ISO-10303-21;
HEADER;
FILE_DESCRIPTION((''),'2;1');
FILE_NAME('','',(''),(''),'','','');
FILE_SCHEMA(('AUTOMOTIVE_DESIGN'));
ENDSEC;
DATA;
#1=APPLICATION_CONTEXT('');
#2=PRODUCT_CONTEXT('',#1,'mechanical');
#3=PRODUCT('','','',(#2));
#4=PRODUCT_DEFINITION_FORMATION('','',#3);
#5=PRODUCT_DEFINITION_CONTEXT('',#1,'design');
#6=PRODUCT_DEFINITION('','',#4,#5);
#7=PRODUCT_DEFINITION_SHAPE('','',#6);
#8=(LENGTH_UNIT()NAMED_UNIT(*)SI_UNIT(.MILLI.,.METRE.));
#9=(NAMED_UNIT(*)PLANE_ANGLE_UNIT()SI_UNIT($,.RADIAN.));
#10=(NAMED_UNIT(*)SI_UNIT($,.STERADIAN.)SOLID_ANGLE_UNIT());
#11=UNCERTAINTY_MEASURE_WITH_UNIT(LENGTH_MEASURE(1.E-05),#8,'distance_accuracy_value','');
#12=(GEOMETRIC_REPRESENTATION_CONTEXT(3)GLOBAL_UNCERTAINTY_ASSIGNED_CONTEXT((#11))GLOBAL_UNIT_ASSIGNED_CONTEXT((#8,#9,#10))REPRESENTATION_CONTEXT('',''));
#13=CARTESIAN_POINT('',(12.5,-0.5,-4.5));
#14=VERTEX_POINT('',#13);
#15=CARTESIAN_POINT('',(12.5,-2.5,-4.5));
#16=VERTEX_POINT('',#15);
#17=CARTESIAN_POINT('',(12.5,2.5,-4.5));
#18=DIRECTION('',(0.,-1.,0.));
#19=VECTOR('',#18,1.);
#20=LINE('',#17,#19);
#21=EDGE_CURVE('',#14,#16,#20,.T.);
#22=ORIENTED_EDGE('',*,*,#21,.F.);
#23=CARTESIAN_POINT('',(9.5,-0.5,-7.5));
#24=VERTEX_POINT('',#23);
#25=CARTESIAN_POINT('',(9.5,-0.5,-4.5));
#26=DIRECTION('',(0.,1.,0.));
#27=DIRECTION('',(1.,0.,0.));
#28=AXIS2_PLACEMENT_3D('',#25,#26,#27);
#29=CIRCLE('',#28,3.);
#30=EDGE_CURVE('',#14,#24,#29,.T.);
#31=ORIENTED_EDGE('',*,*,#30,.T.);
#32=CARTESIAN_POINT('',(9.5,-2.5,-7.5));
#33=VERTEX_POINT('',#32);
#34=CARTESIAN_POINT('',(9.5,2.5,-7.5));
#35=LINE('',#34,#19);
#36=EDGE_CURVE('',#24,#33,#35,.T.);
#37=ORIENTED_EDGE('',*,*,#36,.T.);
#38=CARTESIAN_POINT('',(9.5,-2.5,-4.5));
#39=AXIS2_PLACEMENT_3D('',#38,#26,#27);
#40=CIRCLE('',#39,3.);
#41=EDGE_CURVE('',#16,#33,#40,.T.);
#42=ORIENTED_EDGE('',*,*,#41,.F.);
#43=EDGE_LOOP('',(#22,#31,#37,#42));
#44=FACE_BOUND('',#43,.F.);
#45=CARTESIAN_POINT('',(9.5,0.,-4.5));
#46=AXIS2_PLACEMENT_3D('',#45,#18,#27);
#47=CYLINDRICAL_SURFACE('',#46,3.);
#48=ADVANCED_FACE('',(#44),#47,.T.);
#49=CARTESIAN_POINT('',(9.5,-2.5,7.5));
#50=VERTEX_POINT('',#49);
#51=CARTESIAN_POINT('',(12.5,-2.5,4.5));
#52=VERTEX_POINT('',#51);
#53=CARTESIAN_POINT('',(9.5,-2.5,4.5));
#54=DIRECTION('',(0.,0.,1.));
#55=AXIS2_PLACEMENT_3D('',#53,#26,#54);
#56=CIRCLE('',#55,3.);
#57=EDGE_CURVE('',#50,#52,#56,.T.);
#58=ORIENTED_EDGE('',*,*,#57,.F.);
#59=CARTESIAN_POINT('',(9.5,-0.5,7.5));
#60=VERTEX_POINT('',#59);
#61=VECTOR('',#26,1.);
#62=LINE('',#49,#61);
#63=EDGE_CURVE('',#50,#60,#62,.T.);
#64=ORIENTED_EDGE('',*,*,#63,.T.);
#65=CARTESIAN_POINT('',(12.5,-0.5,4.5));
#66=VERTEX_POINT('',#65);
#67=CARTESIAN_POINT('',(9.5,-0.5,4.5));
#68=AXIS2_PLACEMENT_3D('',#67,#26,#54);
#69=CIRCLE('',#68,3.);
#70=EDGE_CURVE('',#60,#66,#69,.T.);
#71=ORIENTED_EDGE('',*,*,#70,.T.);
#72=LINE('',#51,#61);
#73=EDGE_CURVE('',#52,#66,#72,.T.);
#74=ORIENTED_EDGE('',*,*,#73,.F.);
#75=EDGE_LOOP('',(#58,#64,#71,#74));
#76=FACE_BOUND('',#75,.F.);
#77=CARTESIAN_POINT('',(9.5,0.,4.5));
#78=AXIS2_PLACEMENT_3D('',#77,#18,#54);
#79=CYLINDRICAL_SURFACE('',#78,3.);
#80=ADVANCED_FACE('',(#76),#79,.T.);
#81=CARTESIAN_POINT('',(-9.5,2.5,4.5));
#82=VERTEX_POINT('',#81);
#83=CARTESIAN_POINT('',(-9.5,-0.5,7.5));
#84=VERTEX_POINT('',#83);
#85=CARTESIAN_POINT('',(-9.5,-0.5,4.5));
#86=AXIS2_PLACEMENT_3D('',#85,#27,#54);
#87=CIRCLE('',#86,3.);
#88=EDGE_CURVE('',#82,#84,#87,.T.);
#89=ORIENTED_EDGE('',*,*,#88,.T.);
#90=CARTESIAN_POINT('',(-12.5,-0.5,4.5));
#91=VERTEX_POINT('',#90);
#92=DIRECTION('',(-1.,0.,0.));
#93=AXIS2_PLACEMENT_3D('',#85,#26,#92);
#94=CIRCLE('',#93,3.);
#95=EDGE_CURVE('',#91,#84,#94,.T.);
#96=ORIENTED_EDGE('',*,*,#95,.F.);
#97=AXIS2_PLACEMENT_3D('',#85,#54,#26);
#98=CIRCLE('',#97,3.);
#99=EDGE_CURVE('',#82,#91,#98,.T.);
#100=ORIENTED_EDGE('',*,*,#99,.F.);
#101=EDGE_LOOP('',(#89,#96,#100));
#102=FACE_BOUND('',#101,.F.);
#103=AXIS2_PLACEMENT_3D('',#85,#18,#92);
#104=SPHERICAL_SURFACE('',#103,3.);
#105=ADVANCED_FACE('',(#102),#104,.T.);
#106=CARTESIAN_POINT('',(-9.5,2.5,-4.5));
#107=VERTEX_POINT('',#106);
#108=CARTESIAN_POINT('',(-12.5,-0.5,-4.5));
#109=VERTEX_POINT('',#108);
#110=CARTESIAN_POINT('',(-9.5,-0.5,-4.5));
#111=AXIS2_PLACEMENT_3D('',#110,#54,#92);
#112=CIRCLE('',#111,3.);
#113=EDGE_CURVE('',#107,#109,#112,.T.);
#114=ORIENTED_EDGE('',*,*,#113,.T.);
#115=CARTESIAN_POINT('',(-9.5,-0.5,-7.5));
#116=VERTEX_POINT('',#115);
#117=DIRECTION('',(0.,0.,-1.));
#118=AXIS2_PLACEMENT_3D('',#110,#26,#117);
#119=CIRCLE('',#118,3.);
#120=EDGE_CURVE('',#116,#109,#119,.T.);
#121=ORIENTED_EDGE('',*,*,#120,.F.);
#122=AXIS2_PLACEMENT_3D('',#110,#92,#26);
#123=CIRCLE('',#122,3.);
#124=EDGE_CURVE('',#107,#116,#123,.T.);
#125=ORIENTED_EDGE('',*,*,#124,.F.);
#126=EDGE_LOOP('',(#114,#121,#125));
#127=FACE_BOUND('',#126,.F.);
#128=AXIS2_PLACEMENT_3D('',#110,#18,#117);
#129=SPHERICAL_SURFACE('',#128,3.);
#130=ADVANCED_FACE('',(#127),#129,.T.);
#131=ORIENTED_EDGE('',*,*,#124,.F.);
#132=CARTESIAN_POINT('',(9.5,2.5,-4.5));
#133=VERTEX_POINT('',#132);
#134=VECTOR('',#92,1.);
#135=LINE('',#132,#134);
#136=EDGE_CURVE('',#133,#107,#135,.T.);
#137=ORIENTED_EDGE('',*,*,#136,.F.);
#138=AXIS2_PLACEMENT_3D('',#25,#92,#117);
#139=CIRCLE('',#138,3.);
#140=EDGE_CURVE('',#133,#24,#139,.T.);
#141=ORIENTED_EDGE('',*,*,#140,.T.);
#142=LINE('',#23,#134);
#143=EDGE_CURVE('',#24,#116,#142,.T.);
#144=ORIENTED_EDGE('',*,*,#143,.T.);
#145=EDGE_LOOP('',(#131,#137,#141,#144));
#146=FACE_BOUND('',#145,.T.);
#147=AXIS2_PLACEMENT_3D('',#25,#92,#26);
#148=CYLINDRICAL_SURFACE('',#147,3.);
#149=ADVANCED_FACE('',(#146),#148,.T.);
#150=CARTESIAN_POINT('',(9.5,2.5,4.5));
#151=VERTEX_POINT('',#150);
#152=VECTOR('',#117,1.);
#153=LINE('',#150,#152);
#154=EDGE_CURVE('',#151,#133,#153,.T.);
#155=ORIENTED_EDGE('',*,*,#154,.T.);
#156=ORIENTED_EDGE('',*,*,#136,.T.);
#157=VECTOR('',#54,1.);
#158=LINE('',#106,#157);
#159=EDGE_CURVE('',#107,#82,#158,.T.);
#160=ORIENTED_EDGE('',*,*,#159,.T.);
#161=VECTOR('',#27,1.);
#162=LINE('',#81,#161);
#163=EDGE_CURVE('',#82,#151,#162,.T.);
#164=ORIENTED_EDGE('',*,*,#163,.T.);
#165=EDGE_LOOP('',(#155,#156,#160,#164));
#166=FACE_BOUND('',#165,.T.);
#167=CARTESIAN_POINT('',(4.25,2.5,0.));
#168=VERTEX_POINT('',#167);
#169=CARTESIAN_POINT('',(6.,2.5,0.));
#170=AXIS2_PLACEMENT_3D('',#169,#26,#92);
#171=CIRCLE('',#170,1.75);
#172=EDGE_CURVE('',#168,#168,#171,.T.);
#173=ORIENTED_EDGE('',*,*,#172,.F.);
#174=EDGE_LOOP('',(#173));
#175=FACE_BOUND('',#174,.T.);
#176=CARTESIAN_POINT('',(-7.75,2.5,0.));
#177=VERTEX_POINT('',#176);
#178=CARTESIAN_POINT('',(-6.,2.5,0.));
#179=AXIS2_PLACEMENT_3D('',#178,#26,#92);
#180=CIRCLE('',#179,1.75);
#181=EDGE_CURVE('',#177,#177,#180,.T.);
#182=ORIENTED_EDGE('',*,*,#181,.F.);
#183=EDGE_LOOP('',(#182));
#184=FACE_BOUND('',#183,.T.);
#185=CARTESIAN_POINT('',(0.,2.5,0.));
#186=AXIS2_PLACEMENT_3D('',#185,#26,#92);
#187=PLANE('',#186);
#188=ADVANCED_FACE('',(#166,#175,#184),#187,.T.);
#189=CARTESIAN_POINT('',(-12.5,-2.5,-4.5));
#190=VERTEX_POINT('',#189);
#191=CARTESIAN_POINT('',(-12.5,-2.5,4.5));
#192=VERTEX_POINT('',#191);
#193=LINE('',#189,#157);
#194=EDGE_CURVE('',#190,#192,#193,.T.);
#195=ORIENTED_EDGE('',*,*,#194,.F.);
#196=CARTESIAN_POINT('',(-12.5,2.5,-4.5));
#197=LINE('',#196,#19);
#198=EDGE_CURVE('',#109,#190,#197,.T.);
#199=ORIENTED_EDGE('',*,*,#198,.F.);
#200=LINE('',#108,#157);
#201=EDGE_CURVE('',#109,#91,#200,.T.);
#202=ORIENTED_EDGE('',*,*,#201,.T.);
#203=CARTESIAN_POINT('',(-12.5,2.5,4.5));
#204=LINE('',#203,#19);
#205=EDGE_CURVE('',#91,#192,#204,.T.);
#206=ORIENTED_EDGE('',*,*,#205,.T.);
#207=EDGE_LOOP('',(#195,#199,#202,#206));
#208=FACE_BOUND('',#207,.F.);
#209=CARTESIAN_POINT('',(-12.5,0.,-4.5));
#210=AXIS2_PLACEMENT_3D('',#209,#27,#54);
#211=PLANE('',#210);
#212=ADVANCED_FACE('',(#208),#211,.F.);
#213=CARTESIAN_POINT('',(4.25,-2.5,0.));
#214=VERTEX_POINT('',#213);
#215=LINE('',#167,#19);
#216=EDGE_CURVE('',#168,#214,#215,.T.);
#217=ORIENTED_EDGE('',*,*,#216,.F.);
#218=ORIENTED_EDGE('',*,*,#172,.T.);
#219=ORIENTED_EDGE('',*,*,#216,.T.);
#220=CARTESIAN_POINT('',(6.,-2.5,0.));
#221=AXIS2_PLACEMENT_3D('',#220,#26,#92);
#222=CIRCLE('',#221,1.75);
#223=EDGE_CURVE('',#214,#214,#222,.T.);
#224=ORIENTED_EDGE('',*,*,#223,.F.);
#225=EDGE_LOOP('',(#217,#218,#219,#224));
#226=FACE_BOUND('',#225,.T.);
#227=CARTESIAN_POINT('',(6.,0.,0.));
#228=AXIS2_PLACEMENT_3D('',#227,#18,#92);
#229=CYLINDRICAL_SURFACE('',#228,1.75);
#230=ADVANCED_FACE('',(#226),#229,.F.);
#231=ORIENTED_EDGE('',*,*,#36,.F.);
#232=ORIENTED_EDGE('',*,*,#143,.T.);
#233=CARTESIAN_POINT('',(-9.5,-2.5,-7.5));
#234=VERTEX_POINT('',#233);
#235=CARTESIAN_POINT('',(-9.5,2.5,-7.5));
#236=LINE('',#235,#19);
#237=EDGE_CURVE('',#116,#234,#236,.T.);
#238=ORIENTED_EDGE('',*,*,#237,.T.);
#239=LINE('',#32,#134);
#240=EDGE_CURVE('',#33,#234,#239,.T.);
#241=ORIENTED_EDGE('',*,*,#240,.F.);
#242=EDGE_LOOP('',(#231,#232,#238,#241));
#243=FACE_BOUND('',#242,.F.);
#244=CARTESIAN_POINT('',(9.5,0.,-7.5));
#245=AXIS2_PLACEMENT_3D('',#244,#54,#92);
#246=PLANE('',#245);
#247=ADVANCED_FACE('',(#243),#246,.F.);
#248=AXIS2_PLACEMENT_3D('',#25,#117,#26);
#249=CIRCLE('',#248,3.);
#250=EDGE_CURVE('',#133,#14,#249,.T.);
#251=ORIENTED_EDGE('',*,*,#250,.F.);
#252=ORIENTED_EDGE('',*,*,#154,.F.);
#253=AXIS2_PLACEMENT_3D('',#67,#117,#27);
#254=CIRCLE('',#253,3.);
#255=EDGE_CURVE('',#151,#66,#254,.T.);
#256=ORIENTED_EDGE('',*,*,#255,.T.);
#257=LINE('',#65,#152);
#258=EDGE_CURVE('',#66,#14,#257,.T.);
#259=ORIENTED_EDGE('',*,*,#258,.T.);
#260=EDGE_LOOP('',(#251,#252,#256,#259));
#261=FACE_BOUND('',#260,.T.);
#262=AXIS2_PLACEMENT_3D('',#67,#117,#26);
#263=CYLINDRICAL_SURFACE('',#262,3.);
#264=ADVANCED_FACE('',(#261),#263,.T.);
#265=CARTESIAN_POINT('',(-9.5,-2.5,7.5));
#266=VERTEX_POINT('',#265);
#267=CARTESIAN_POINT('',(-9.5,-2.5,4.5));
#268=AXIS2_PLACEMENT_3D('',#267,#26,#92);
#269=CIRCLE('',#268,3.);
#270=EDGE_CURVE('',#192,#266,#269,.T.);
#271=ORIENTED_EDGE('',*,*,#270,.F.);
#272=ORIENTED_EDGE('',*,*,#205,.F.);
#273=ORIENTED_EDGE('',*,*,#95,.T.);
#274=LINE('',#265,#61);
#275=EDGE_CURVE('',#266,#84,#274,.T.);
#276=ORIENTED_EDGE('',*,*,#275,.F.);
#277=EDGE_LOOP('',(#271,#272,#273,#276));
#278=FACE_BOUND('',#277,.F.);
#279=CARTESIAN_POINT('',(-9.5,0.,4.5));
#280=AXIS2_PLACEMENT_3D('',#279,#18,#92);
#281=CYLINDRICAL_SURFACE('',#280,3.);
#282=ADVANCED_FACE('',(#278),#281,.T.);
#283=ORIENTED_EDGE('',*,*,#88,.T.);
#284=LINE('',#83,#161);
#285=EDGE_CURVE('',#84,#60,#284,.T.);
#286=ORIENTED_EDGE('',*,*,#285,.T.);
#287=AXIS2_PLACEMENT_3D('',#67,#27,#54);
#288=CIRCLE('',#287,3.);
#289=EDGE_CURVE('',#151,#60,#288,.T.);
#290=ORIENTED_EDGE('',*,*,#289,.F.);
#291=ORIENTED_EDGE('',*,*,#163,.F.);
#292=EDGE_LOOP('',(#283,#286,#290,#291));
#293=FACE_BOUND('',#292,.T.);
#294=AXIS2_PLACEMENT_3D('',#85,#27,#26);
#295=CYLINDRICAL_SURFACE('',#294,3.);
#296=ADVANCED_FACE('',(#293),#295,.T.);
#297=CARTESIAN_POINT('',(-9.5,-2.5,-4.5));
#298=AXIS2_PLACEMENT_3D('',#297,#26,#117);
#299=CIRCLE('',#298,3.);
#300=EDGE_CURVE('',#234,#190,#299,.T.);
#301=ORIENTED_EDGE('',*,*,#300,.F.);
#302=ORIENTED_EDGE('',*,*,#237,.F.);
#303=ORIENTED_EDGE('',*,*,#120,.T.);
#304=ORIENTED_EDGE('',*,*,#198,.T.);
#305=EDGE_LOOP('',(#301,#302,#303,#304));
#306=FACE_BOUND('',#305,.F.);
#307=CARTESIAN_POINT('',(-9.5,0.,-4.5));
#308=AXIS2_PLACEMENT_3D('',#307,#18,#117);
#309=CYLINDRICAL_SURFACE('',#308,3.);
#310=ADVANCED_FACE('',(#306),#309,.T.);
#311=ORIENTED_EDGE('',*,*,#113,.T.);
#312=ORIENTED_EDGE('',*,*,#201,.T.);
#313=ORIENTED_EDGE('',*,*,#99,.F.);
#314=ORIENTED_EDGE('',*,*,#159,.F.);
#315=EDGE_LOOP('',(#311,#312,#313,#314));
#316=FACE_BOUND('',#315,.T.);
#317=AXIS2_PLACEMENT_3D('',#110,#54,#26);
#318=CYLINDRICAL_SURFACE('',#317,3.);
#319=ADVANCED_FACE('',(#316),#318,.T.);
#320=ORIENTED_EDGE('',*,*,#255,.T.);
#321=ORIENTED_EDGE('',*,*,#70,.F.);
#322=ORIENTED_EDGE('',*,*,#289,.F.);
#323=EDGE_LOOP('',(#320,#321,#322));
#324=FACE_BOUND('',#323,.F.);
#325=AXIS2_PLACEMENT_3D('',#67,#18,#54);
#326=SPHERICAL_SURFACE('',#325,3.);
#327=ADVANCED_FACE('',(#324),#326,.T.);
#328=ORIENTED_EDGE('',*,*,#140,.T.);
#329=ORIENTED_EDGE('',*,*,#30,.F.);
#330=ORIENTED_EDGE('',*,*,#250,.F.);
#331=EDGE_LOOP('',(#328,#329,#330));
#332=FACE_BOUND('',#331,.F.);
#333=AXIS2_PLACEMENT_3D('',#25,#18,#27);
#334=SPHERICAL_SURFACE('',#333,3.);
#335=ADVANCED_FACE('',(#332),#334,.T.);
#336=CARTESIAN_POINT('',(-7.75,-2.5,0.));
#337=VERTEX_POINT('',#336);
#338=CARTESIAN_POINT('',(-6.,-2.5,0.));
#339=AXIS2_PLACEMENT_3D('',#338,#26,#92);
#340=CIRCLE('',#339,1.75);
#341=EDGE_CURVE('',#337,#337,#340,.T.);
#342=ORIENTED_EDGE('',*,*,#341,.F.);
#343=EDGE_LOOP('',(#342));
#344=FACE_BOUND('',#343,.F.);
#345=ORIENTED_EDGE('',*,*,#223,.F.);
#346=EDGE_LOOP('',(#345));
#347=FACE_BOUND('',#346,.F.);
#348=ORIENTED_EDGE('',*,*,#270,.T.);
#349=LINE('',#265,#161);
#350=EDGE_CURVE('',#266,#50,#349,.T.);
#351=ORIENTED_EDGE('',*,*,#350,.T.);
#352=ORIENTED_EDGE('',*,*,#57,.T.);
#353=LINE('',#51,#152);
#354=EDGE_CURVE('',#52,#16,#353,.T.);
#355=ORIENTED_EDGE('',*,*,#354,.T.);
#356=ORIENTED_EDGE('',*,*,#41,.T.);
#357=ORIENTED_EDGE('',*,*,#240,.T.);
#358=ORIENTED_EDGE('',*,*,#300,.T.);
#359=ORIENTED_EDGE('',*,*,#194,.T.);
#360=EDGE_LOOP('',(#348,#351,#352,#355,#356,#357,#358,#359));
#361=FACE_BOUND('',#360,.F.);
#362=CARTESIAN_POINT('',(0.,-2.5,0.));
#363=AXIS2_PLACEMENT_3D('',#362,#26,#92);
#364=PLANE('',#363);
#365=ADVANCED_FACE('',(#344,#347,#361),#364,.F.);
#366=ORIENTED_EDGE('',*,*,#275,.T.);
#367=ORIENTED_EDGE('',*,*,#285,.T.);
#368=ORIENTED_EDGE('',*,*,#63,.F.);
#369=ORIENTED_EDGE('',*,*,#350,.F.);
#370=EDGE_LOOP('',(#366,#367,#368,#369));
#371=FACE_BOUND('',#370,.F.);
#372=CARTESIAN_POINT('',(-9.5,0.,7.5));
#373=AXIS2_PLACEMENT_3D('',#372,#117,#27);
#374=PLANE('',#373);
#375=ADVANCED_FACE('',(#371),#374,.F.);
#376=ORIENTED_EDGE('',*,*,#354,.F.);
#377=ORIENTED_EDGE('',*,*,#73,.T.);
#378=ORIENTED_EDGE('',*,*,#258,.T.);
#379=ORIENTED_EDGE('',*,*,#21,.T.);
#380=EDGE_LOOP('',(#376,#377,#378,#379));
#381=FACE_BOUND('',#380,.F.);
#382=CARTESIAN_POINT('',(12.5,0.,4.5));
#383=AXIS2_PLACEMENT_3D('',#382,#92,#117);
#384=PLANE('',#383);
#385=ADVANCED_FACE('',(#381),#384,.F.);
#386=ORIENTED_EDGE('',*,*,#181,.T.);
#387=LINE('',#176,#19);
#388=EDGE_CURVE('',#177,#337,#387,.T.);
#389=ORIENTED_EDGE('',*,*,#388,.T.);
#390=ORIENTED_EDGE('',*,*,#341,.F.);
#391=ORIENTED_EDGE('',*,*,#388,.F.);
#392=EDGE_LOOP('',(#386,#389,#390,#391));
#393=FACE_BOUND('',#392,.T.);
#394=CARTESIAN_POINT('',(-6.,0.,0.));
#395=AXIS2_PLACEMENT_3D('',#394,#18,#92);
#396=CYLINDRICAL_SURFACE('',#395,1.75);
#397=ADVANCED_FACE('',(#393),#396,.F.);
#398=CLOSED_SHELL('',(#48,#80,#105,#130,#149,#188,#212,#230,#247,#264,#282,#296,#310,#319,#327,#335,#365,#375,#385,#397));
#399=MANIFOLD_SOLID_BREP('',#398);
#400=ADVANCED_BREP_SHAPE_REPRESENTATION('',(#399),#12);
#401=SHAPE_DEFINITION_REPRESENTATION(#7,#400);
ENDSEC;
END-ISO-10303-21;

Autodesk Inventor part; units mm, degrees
ref_plane "YZ Plane" through (0, 0, 0) normal (1, 0, 0) x (0, 1, 0)
ref_plane "XZ Plane" through (0, 0, 0) normal (0, 1, 0) x (-1, 0, 0)
ref_plane "XY Plane" through (0, 0, 0) normal (0, 0, 1) x (1, 0, 0)
sketch "Sketch1" plane through (0, 0, 0) normal (0, 1, 0) x (-1, 0, 0)
  line L0 (9.5, 7.5) -> (-9.5, 7.5)
  line L1 (-12.5, 4.5) -> (-12.5, -4.5)
  line L2 (-9.5, -7.5) -> (9.5, -7.5)
  line L3 (12.5, -4.5) -> (12.5, 4.5)
  line L4 (12.5, 7.5) -> (-12.5, -7.5) construction
  line L5 (-12.5, 7.5) -> (12.5, -7.5) construction
  arc A0 (12.5, 4.5) -> (9.5, 7.5) centre (9.5, 4.5) ccw
  arc A1 (9.5, -7.5) -> (12.5, -4.5) centre (9.5, -4.5) ccw
  arc A2 (-12.5, -4.5) -> (-9.5, -7.5) centre (-9.5, -4.5) ccw
  arc A3 (-9.5, 7.5) -> (-12.5, 4.5) centre (-9.5, 4.5) ccw
  circle A4 centre (6, 0) radius 1.75
  circle A5 centre (-6, 0) radius 1.75
  point P0 (0, 0)
  point P1 (0, 0)
  dimension "d0" = 25
  dimension "d1" = 15
  dimension "d2" = 3
  dimension "d3" = 3.5
  dimension "d4" = 3.5
  dimension "d5" = 12
  dimension "d6" = 6
extrude "Extrusion1" add sketch "Sketch1" along normal mid plane 5
fillet "Fillet1" radius 3 8 edges at (11.6213, 2.5, 6.6213) (12.5, 2.5, 0) (11.6213, 2.5, -6.6213) (0, 2.5, -7.5) (-11.6213, 2.5, -6.6213) (-12.5, 2.5, 0) (-11.6213, 2.5, 6.6213) (0, 2.5, 7.5)
equation "\"d3\" = d4"
equation "\"d6\" = 0.5 * d5"
properties part number "Heated Bed Belt Clamp" material "ABS Plastic"
